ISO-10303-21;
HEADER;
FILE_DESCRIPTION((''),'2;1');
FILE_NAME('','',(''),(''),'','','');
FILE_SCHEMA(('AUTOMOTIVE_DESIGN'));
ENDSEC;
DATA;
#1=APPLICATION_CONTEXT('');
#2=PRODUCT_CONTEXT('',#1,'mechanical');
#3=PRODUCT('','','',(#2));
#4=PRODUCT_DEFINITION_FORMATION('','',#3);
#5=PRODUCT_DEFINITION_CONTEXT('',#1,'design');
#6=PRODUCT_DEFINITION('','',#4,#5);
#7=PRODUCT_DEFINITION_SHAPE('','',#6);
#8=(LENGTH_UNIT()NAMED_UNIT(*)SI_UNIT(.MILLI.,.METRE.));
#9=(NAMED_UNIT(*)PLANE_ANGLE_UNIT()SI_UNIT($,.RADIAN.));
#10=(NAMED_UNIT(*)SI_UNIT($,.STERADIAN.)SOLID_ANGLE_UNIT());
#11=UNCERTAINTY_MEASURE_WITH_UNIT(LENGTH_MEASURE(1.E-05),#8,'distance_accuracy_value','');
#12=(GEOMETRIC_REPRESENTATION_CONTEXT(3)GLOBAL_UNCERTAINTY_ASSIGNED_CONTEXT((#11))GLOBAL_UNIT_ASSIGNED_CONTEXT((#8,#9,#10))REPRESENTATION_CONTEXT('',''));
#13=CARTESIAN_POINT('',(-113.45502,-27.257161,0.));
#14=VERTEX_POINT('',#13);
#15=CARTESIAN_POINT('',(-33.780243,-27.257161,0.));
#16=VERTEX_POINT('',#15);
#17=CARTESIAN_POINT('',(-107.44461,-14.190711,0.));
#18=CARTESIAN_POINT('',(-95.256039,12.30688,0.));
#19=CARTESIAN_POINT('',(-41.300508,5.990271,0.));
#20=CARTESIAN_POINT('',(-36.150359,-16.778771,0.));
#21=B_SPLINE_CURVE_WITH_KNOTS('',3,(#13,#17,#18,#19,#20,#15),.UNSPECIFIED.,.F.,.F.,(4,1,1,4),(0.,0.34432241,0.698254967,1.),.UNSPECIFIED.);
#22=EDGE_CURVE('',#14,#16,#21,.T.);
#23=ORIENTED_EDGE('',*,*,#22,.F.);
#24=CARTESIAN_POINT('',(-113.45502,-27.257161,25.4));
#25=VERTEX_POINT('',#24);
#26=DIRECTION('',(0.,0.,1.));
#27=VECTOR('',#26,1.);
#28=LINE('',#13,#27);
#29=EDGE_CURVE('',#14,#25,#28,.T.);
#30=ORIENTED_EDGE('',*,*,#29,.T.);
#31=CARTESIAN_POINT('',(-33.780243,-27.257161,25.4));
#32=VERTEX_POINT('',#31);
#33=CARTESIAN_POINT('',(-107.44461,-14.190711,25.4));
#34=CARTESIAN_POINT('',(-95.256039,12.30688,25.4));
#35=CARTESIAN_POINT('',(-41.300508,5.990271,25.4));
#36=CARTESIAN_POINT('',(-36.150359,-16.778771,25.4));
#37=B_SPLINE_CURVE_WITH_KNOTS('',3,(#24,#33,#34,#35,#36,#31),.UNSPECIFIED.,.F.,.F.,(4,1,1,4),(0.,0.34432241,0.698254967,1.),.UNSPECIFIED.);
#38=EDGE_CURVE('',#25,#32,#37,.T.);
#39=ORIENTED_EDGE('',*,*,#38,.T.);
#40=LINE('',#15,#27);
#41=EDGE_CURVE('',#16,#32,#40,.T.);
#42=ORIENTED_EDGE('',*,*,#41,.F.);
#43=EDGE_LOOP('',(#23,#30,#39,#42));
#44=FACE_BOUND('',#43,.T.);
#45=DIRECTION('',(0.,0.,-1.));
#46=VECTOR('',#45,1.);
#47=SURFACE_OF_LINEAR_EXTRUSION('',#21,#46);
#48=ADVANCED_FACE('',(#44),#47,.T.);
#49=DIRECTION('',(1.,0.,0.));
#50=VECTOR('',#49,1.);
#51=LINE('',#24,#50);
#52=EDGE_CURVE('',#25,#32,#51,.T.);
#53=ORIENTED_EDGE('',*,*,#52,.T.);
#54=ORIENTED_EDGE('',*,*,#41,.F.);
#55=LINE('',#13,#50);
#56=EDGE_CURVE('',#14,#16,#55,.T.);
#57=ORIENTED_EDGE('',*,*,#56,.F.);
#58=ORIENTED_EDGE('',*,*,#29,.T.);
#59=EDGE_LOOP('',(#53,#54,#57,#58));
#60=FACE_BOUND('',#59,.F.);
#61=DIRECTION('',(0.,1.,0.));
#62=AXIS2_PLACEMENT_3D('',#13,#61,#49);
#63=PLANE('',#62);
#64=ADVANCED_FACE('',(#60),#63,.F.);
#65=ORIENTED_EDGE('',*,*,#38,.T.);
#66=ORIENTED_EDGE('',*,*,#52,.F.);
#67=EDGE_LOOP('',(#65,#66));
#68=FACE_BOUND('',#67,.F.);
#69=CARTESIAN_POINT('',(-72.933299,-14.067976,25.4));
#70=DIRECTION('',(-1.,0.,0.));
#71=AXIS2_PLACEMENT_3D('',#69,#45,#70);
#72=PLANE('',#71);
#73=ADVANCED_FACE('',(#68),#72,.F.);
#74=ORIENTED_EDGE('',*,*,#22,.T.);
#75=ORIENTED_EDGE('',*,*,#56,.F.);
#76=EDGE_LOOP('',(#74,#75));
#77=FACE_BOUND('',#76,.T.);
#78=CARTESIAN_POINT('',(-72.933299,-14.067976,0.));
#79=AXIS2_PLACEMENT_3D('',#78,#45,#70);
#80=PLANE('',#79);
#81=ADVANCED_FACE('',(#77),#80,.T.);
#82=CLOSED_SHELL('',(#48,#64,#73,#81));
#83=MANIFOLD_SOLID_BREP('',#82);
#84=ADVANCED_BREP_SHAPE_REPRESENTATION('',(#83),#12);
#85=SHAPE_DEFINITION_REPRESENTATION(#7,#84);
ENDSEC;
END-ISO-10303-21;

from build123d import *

# Parameters (mm, degrees)
F1_DEPTH = 25.4


with BuildPart() as f1:
    # F0 (on Top) → F1 (new body)
    with BuildSketch(Plane.XY):
        with BuildLine():
            add(Edge.make_bspline(
                [(-113.4550198913, -27.2571612149), (-107.4446104511, -14.1907105234), (-95.2560391369, 12.3068796431), (-41.3005077973, 5.990271406), (-36.1503590359, -16.7787711995), (-33.7802432477, -27.2571612149)],
                knots=[0, 0, 0, 0, 0.3443224096, 0.6982549668, 1, 1, 1, 1], degree=3))
            Line((-113.4550198913, -27.2571612149), (-33.7802432477, -27.2571612149))
        make_face()
    extrude(amount=F1_DEPTH)


solid = f1.part
